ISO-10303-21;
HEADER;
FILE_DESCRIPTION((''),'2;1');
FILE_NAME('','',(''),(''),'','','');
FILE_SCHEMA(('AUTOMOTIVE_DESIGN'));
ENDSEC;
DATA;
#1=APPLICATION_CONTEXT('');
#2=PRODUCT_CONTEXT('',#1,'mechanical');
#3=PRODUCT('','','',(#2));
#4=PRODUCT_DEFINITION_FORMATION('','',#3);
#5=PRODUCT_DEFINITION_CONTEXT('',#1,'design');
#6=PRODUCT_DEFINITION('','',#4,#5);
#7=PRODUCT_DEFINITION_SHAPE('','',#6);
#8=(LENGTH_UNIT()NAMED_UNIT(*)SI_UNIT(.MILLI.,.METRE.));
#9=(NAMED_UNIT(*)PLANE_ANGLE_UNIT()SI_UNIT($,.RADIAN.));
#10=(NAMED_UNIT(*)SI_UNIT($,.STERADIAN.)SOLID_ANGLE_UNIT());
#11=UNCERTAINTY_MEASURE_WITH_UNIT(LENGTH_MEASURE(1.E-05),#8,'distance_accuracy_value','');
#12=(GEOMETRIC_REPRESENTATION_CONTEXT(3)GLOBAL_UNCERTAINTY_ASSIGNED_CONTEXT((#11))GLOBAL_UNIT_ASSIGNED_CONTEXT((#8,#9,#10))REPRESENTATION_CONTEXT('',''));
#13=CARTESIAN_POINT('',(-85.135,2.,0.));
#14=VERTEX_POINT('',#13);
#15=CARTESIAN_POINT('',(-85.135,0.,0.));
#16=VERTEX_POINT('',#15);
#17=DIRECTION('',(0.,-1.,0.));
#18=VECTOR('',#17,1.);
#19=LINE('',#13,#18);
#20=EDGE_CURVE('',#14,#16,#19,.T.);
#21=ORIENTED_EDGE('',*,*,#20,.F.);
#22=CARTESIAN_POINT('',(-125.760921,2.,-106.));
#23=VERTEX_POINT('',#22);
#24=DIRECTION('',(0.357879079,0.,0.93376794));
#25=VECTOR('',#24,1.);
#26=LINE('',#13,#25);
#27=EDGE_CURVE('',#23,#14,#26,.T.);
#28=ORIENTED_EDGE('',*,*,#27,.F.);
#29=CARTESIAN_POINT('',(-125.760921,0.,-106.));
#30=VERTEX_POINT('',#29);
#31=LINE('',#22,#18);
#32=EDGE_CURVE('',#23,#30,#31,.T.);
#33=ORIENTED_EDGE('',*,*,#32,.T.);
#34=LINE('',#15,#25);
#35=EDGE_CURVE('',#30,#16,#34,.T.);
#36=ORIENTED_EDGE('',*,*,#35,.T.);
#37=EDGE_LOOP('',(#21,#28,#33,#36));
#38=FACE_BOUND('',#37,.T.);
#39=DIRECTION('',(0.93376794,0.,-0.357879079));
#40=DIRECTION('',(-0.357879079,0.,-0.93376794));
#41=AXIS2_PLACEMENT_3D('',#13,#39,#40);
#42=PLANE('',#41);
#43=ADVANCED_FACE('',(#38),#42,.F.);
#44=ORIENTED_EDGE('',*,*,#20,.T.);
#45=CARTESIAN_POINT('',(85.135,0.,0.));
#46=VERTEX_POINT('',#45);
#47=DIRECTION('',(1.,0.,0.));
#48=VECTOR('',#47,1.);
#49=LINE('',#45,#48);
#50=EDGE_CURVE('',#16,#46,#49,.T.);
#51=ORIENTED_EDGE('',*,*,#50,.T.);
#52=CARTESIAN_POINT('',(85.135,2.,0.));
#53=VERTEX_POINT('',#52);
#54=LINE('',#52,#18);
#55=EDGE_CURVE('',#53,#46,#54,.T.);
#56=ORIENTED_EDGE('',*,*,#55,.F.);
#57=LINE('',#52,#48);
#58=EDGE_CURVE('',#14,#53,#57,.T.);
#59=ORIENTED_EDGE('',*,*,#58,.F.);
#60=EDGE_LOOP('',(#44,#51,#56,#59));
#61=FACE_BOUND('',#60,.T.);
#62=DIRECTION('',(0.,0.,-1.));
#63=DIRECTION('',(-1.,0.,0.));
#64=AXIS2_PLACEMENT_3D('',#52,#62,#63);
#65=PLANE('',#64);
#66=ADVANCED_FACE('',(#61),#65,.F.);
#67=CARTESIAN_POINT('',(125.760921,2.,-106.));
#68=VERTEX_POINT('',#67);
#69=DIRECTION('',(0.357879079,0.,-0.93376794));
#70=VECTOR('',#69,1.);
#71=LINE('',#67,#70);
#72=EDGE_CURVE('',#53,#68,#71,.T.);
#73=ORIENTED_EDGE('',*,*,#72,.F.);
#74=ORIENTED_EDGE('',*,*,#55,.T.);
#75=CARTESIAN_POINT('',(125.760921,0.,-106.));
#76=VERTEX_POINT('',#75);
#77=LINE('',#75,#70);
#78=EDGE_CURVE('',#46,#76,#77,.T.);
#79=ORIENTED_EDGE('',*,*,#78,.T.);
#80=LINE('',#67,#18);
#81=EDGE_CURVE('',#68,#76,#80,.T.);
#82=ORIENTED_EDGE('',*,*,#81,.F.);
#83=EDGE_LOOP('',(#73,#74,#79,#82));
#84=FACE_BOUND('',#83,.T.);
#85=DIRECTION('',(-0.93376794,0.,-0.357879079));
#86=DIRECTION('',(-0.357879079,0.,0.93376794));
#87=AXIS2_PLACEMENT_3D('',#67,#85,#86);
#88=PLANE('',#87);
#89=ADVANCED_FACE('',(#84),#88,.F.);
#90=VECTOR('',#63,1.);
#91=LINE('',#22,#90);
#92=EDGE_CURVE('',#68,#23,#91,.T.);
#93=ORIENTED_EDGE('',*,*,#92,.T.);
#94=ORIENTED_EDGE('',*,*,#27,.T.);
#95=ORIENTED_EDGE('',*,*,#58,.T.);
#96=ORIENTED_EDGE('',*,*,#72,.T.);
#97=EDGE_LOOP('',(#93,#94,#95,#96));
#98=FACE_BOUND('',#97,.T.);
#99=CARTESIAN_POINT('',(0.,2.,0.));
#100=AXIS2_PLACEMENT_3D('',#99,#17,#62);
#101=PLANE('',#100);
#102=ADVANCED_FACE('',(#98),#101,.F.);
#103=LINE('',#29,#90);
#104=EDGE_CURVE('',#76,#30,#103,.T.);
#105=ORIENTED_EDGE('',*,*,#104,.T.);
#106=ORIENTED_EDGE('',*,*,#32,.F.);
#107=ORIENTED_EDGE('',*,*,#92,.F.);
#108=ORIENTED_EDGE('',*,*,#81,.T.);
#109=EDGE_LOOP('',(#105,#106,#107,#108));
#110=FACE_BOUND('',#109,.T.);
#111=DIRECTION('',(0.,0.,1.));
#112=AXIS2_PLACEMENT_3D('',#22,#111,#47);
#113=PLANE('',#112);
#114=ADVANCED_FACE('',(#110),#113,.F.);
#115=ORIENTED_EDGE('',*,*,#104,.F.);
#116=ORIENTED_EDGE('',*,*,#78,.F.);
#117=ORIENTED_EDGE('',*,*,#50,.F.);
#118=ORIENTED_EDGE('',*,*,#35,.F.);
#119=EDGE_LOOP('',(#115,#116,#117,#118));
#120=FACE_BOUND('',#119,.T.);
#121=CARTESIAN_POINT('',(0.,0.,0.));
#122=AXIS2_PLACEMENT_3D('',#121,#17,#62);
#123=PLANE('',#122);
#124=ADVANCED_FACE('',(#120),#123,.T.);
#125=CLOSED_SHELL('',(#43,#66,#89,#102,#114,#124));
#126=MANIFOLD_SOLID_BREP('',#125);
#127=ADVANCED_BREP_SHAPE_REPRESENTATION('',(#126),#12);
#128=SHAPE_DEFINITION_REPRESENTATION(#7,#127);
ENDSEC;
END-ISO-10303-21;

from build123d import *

# Parameters (mm, degrees)
BOSS_EXTRUDE1_DEPTH = 2


with BuildPart() as part:
    # Sketch1 → Boss-Extrude1 (new body)
    with BuildSketch(Plane(origin=(0, 0, 0), x_dir=(1, 0, 0), z_dir=(0, 1, 0))):
        Polygon((125.760920804, 106), (85.135, 0), (-85.135, 0), (-125.760920804, 106), align=None)
    extrude(amount=BOSS_EXTRUDE1_DEPTH)


solid = part.part
